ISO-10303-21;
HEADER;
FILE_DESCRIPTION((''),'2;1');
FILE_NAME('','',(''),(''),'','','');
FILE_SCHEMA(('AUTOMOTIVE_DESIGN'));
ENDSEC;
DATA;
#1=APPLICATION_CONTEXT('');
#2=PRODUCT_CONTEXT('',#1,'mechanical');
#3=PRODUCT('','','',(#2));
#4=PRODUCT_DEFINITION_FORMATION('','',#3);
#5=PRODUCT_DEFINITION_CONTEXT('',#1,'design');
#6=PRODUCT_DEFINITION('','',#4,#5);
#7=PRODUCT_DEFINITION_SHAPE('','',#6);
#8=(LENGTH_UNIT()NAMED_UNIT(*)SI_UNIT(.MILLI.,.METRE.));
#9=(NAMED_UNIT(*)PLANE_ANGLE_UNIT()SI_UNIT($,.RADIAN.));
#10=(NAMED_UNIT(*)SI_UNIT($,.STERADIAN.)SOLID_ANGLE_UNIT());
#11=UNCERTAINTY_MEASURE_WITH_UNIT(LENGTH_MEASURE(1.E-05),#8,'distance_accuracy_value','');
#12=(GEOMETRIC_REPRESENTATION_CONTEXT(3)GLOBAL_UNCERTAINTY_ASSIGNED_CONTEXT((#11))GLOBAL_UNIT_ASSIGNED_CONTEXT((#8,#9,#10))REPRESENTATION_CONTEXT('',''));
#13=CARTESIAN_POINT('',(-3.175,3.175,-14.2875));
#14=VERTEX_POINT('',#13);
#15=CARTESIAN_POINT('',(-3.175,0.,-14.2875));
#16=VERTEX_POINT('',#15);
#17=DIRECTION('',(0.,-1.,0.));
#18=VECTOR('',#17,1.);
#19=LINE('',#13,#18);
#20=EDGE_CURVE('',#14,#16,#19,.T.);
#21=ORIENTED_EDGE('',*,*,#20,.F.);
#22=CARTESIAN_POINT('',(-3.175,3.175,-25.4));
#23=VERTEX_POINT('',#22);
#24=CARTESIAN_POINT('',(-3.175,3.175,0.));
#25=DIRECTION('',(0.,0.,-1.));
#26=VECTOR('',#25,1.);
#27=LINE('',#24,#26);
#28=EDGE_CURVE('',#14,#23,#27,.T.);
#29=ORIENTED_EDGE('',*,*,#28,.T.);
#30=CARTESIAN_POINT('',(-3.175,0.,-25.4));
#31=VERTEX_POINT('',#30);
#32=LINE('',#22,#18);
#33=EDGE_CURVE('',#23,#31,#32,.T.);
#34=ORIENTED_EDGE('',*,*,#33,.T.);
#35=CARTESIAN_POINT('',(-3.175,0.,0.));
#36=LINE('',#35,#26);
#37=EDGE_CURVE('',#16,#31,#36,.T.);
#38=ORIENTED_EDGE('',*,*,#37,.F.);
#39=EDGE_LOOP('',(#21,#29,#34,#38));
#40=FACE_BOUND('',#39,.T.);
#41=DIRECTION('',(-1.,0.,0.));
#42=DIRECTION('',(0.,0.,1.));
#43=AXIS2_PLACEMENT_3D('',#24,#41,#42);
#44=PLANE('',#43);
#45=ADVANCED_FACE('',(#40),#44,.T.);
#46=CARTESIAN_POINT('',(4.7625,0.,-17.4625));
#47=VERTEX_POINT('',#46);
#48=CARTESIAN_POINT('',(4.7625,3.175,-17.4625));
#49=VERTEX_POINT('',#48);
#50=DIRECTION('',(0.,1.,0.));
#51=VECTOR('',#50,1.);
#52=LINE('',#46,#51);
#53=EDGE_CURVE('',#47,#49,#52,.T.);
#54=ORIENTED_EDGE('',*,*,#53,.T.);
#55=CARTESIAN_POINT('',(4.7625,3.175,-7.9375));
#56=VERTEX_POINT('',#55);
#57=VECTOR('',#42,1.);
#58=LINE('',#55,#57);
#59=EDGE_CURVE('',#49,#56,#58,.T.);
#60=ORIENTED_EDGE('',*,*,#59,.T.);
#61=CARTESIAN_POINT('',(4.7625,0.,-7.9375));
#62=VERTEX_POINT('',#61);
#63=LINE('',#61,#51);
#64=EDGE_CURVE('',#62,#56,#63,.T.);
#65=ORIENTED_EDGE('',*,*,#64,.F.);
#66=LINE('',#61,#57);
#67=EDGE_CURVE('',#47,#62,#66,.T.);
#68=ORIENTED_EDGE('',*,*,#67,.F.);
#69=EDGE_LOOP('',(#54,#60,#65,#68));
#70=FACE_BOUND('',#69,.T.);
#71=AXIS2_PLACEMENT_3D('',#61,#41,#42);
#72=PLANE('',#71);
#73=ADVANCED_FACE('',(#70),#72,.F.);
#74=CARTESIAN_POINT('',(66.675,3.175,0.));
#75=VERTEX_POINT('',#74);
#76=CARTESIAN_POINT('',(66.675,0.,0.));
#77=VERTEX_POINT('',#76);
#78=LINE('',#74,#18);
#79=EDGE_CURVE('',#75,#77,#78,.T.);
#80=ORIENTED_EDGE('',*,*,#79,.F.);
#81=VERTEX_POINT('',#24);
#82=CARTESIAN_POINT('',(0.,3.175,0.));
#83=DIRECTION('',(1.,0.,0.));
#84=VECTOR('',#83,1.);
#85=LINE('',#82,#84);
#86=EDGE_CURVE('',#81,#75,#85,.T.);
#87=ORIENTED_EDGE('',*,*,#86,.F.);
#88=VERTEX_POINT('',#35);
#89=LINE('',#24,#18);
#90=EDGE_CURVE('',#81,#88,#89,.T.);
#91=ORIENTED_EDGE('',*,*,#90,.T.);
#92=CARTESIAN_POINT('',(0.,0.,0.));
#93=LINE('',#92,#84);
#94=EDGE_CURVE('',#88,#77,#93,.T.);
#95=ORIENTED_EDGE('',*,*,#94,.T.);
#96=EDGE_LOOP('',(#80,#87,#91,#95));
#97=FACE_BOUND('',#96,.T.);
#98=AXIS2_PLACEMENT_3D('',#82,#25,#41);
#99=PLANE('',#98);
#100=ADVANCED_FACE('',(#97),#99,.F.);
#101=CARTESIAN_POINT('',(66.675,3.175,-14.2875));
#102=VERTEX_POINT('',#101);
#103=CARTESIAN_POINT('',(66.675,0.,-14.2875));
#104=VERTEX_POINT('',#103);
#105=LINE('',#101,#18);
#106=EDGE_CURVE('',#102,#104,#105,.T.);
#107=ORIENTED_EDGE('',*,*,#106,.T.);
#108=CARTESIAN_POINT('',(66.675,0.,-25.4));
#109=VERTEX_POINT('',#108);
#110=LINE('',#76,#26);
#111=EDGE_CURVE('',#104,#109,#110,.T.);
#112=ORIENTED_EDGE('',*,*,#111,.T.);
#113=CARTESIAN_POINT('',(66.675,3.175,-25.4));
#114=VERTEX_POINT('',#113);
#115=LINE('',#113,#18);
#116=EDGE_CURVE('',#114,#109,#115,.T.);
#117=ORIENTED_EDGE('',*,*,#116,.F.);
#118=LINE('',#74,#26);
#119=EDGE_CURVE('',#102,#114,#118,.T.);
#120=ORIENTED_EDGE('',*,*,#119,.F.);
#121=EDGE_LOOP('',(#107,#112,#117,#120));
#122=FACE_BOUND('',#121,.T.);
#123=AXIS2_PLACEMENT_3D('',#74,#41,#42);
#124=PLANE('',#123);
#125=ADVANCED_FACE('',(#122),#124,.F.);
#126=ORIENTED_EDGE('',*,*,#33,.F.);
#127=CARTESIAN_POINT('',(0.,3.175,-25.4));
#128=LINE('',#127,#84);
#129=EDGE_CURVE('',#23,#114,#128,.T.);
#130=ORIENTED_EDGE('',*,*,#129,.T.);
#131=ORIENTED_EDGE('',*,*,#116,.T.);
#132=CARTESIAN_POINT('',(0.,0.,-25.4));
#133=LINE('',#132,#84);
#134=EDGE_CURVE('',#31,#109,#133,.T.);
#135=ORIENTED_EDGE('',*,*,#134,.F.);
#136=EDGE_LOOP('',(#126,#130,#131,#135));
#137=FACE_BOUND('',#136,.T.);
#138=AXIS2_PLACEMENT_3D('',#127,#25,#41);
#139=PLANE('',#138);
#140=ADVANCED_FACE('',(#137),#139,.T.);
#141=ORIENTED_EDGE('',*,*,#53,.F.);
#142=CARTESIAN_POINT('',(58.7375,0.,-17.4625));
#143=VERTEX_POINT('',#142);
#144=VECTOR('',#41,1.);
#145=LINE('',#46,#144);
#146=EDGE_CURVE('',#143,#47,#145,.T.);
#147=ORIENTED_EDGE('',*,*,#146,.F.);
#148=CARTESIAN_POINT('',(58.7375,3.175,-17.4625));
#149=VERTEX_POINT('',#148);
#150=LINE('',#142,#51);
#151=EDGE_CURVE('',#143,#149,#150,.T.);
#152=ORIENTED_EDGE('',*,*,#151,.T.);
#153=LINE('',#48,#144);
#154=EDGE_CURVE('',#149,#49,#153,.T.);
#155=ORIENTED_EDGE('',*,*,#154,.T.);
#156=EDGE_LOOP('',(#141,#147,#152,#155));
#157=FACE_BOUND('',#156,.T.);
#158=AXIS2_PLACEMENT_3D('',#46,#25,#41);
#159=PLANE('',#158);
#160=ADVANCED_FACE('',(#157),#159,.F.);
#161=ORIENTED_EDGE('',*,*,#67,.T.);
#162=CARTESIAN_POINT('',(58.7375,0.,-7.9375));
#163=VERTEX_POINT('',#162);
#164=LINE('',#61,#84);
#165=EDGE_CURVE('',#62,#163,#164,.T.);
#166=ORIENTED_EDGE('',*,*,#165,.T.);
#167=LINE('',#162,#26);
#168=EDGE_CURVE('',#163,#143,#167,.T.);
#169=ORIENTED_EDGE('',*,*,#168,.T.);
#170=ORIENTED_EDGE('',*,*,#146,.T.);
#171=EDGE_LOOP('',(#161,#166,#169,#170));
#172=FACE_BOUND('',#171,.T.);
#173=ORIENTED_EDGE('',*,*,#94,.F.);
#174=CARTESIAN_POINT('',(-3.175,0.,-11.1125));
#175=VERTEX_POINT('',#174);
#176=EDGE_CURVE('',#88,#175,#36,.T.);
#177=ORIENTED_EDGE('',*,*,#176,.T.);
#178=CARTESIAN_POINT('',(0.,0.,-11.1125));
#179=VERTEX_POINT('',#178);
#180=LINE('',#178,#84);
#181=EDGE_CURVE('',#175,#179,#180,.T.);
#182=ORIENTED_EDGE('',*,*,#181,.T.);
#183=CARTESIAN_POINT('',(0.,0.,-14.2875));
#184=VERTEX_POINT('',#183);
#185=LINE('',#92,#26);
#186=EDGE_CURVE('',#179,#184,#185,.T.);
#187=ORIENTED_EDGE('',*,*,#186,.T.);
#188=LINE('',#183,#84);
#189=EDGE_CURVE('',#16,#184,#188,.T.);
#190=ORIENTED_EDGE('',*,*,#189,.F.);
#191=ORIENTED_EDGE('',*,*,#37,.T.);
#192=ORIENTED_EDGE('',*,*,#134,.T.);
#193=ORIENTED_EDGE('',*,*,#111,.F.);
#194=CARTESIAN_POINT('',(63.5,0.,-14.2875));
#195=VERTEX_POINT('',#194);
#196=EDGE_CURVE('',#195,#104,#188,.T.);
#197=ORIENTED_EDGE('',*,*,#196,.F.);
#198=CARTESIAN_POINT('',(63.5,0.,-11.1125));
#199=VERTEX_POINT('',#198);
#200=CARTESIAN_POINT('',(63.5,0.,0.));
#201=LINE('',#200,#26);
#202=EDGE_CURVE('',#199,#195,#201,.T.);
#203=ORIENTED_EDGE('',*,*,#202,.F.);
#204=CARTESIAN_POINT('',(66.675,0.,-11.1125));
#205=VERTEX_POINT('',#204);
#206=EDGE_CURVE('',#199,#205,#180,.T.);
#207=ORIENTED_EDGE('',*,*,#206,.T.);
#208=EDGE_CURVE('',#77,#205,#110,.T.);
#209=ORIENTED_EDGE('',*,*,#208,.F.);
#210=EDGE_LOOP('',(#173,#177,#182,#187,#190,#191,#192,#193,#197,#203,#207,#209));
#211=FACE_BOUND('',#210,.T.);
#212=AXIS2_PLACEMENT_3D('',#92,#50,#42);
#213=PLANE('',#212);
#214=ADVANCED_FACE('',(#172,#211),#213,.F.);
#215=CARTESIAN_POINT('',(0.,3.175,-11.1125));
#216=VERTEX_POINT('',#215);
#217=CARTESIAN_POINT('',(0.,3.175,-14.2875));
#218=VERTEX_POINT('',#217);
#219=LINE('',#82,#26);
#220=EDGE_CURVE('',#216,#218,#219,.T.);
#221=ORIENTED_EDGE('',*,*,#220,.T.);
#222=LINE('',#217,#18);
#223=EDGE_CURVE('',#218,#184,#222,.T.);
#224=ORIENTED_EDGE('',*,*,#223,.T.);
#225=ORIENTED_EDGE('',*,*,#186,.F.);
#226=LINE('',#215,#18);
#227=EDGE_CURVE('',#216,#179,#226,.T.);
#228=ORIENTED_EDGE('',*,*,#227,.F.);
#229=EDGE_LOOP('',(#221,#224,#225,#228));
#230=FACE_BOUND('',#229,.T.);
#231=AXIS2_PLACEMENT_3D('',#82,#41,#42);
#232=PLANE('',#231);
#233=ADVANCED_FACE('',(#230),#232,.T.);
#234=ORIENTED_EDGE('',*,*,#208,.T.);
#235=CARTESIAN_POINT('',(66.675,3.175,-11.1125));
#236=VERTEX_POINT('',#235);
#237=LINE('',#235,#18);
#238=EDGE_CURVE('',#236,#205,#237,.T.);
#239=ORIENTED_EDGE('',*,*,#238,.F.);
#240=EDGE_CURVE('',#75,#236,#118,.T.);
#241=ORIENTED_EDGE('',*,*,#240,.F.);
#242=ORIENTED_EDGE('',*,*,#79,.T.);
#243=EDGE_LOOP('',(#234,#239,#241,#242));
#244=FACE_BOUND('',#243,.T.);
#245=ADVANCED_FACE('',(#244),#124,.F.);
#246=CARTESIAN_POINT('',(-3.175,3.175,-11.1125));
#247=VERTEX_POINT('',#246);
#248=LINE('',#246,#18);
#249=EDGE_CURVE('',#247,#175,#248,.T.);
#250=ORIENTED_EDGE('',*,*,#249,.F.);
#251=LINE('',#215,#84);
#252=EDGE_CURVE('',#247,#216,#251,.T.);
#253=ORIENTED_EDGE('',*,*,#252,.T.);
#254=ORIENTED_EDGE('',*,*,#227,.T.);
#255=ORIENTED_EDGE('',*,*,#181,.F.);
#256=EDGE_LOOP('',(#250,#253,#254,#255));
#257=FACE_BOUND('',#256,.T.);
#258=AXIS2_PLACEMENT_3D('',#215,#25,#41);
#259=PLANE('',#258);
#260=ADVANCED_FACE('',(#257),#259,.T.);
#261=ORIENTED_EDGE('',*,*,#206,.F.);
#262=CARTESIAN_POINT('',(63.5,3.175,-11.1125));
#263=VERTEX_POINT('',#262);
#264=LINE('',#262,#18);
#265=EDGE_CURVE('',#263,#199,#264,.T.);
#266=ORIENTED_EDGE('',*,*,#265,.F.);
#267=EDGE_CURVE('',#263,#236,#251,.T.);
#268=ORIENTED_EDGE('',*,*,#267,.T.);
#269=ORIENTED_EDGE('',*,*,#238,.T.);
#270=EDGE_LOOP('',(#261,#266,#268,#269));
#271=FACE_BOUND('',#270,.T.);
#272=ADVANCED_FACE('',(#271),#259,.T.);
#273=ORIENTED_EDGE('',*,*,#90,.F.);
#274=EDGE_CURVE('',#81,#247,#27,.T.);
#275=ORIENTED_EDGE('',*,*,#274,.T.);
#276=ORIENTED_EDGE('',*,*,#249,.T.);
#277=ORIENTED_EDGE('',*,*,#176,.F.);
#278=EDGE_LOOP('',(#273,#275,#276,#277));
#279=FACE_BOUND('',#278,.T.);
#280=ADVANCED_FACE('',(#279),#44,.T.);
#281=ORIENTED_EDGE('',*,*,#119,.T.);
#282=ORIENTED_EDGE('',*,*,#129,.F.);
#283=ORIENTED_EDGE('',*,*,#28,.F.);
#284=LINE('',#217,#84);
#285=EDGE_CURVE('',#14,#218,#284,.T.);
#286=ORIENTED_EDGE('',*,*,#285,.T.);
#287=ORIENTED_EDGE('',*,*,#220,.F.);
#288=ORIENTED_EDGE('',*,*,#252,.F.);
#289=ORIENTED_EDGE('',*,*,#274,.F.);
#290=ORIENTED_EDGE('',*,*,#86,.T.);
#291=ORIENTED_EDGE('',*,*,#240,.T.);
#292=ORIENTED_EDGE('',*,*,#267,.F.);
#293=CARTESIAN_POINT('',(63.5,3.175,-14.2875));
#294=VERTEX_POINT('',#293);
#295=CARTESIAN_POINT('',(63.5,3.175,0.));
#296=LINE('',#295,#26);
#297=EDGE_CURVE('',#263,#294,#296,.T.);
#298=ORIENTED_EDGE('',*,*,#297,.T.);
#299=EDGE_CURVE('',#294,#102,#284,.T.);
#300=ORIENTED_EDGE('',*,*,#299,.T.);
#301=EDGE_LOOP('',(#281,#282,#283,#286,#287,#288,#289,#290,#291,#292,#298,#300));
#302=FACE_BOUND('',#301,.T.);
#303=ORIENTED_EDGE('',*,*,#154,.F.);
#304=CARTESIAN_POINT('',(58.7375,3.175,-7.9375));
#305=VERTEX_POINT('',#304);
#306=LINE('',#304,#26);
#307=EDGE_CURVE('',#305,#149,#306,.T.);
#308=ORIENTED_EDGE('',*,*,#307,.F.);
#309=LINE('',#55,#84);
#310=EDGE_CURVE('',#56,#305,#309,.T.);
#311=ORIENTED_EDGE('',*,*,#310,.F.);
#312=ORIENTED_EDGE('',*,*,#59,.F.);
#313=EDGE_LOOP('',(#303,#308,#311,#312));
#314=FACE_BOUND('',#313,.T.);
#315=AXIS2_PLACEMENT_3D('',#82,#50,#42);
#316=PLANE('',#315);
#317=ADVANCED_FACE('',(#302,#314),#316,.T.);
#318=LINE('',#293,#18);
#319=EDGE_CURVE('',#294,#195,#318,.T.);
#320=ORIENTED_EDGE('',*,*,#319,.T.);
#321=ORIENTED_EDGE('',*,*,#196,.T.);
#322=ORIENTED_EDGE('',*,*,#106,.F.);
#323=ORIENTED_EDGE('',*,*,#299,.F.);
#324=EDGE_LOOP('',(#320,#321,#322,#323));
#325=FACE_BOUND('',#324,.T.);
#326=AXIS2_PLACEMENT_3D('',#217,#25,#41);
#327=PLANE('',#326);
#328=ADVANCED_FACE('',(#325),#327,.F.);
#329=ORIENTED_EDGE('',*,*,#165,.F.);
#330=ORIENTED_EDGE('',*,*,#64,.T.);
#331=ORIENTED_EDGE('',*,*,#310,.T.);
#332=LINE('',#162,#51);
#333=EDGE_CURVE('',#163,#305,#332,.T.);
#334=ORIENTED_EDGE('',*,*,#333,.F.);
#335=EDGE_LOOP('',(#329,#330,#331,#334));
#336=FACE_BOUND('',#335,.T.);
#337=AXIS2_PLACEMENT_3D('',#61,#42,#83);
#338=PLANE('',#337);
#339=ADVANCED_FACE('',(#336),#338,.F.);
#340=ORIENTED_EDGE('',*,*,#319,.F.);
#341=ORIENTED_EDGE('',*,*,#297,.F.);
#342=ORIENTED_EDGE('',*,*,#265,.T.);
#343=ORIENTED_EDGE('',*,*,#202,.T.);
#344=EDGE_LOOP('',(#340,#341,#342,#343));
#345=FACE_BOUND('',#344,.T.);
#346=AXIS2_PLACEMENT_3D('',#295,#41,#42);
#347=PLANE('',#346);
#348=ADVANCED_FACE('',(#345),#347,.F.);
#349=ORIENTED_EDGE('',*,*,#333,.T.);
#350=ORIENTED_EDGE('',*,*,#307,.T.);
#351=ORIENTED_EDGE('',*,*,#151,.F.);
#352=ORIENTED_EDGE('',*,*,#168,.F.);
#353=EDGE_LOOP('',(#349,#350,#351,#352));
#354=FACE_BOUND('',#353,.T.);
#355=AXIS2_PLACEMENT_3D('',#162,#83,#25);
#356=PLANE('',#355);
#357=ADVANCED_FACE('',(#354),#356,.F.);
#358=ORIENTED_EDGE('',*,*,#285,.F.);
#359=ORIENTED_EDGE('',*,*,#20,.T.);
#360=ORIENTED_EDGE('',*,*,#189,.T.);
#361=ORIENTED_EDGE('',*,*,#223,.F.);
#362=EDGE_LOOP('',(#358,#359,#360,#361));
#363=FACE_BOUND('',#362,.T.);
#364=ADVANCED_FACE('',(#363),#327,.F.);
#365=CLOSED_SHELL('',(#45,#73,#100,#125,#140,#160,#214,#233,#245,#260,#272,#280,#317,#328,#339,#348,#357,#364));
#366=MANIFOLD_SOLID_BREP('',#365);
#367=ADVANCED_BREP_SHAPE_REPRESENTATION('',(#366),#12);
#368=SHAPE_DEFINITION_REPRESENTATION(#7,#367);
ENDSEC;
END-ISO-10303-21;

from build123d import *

# Parameters (mm, degrees)
SKETCH1_W           = 63.5
SKETCH1_H           = 25.4
SKETCH1_W_2         = 3.175
SKETCH1_H_2         = 11.1125
BOSS_EXTRUDE1_DEPTH = 3.175
SKETCH2_W           = 53.975
SKETCH2_H           = 9.525
CUT_EXTRUDE1_DEPTH  = 72.419858933


with BuildPart() as part:
    # Sketch1 → Boss-Extrude1 (new body)
    with BuildSketch(Plane(origin=(0, 0, 0), x_dir=(1, 0, 0), z_dir=(0, 1, 0))):
        with Locations((31.75, 12.7)):
            Rectangle(SKETCH1_W, SKETCH1_H)
        with Locations((-1.5875, 19.84375)):
            Rectangle(SKETCH1_W_2, SKETCH1_H_2)
        with Locations((-1.5875, 5.55625)):
            Rectangle(SKETCH1_W_2, SKETCH1_H_2)
        with Locations((65.0875, 19.84375)):
            Rectangle(SKETCH1_W_2, SKETCH1_H_2)
        with Locations((65.0875, 5.55625)):
            Rectangle(SKETCH1_W_2, SKETCH1_H_2)
    extrude(amount=BOSS_EXTRUDE1_DEPTH)

    # Sketch2 → Cut-Extrude1 (cut, through all)
    with BuildSketch(Plane(origin=(0, 3.175, 0), x_dir=(1, 0, 0), z_dir=(0, 1, 0))):
        with Locations((31.75, 12.7)):
            Rectangle(SKETCH2_W, SKETCH2_H)
    extrude(amount=-CUT_EXTRUDE1_DEPTH, mode=Mode.SUBTRACT)


solid = part.part
